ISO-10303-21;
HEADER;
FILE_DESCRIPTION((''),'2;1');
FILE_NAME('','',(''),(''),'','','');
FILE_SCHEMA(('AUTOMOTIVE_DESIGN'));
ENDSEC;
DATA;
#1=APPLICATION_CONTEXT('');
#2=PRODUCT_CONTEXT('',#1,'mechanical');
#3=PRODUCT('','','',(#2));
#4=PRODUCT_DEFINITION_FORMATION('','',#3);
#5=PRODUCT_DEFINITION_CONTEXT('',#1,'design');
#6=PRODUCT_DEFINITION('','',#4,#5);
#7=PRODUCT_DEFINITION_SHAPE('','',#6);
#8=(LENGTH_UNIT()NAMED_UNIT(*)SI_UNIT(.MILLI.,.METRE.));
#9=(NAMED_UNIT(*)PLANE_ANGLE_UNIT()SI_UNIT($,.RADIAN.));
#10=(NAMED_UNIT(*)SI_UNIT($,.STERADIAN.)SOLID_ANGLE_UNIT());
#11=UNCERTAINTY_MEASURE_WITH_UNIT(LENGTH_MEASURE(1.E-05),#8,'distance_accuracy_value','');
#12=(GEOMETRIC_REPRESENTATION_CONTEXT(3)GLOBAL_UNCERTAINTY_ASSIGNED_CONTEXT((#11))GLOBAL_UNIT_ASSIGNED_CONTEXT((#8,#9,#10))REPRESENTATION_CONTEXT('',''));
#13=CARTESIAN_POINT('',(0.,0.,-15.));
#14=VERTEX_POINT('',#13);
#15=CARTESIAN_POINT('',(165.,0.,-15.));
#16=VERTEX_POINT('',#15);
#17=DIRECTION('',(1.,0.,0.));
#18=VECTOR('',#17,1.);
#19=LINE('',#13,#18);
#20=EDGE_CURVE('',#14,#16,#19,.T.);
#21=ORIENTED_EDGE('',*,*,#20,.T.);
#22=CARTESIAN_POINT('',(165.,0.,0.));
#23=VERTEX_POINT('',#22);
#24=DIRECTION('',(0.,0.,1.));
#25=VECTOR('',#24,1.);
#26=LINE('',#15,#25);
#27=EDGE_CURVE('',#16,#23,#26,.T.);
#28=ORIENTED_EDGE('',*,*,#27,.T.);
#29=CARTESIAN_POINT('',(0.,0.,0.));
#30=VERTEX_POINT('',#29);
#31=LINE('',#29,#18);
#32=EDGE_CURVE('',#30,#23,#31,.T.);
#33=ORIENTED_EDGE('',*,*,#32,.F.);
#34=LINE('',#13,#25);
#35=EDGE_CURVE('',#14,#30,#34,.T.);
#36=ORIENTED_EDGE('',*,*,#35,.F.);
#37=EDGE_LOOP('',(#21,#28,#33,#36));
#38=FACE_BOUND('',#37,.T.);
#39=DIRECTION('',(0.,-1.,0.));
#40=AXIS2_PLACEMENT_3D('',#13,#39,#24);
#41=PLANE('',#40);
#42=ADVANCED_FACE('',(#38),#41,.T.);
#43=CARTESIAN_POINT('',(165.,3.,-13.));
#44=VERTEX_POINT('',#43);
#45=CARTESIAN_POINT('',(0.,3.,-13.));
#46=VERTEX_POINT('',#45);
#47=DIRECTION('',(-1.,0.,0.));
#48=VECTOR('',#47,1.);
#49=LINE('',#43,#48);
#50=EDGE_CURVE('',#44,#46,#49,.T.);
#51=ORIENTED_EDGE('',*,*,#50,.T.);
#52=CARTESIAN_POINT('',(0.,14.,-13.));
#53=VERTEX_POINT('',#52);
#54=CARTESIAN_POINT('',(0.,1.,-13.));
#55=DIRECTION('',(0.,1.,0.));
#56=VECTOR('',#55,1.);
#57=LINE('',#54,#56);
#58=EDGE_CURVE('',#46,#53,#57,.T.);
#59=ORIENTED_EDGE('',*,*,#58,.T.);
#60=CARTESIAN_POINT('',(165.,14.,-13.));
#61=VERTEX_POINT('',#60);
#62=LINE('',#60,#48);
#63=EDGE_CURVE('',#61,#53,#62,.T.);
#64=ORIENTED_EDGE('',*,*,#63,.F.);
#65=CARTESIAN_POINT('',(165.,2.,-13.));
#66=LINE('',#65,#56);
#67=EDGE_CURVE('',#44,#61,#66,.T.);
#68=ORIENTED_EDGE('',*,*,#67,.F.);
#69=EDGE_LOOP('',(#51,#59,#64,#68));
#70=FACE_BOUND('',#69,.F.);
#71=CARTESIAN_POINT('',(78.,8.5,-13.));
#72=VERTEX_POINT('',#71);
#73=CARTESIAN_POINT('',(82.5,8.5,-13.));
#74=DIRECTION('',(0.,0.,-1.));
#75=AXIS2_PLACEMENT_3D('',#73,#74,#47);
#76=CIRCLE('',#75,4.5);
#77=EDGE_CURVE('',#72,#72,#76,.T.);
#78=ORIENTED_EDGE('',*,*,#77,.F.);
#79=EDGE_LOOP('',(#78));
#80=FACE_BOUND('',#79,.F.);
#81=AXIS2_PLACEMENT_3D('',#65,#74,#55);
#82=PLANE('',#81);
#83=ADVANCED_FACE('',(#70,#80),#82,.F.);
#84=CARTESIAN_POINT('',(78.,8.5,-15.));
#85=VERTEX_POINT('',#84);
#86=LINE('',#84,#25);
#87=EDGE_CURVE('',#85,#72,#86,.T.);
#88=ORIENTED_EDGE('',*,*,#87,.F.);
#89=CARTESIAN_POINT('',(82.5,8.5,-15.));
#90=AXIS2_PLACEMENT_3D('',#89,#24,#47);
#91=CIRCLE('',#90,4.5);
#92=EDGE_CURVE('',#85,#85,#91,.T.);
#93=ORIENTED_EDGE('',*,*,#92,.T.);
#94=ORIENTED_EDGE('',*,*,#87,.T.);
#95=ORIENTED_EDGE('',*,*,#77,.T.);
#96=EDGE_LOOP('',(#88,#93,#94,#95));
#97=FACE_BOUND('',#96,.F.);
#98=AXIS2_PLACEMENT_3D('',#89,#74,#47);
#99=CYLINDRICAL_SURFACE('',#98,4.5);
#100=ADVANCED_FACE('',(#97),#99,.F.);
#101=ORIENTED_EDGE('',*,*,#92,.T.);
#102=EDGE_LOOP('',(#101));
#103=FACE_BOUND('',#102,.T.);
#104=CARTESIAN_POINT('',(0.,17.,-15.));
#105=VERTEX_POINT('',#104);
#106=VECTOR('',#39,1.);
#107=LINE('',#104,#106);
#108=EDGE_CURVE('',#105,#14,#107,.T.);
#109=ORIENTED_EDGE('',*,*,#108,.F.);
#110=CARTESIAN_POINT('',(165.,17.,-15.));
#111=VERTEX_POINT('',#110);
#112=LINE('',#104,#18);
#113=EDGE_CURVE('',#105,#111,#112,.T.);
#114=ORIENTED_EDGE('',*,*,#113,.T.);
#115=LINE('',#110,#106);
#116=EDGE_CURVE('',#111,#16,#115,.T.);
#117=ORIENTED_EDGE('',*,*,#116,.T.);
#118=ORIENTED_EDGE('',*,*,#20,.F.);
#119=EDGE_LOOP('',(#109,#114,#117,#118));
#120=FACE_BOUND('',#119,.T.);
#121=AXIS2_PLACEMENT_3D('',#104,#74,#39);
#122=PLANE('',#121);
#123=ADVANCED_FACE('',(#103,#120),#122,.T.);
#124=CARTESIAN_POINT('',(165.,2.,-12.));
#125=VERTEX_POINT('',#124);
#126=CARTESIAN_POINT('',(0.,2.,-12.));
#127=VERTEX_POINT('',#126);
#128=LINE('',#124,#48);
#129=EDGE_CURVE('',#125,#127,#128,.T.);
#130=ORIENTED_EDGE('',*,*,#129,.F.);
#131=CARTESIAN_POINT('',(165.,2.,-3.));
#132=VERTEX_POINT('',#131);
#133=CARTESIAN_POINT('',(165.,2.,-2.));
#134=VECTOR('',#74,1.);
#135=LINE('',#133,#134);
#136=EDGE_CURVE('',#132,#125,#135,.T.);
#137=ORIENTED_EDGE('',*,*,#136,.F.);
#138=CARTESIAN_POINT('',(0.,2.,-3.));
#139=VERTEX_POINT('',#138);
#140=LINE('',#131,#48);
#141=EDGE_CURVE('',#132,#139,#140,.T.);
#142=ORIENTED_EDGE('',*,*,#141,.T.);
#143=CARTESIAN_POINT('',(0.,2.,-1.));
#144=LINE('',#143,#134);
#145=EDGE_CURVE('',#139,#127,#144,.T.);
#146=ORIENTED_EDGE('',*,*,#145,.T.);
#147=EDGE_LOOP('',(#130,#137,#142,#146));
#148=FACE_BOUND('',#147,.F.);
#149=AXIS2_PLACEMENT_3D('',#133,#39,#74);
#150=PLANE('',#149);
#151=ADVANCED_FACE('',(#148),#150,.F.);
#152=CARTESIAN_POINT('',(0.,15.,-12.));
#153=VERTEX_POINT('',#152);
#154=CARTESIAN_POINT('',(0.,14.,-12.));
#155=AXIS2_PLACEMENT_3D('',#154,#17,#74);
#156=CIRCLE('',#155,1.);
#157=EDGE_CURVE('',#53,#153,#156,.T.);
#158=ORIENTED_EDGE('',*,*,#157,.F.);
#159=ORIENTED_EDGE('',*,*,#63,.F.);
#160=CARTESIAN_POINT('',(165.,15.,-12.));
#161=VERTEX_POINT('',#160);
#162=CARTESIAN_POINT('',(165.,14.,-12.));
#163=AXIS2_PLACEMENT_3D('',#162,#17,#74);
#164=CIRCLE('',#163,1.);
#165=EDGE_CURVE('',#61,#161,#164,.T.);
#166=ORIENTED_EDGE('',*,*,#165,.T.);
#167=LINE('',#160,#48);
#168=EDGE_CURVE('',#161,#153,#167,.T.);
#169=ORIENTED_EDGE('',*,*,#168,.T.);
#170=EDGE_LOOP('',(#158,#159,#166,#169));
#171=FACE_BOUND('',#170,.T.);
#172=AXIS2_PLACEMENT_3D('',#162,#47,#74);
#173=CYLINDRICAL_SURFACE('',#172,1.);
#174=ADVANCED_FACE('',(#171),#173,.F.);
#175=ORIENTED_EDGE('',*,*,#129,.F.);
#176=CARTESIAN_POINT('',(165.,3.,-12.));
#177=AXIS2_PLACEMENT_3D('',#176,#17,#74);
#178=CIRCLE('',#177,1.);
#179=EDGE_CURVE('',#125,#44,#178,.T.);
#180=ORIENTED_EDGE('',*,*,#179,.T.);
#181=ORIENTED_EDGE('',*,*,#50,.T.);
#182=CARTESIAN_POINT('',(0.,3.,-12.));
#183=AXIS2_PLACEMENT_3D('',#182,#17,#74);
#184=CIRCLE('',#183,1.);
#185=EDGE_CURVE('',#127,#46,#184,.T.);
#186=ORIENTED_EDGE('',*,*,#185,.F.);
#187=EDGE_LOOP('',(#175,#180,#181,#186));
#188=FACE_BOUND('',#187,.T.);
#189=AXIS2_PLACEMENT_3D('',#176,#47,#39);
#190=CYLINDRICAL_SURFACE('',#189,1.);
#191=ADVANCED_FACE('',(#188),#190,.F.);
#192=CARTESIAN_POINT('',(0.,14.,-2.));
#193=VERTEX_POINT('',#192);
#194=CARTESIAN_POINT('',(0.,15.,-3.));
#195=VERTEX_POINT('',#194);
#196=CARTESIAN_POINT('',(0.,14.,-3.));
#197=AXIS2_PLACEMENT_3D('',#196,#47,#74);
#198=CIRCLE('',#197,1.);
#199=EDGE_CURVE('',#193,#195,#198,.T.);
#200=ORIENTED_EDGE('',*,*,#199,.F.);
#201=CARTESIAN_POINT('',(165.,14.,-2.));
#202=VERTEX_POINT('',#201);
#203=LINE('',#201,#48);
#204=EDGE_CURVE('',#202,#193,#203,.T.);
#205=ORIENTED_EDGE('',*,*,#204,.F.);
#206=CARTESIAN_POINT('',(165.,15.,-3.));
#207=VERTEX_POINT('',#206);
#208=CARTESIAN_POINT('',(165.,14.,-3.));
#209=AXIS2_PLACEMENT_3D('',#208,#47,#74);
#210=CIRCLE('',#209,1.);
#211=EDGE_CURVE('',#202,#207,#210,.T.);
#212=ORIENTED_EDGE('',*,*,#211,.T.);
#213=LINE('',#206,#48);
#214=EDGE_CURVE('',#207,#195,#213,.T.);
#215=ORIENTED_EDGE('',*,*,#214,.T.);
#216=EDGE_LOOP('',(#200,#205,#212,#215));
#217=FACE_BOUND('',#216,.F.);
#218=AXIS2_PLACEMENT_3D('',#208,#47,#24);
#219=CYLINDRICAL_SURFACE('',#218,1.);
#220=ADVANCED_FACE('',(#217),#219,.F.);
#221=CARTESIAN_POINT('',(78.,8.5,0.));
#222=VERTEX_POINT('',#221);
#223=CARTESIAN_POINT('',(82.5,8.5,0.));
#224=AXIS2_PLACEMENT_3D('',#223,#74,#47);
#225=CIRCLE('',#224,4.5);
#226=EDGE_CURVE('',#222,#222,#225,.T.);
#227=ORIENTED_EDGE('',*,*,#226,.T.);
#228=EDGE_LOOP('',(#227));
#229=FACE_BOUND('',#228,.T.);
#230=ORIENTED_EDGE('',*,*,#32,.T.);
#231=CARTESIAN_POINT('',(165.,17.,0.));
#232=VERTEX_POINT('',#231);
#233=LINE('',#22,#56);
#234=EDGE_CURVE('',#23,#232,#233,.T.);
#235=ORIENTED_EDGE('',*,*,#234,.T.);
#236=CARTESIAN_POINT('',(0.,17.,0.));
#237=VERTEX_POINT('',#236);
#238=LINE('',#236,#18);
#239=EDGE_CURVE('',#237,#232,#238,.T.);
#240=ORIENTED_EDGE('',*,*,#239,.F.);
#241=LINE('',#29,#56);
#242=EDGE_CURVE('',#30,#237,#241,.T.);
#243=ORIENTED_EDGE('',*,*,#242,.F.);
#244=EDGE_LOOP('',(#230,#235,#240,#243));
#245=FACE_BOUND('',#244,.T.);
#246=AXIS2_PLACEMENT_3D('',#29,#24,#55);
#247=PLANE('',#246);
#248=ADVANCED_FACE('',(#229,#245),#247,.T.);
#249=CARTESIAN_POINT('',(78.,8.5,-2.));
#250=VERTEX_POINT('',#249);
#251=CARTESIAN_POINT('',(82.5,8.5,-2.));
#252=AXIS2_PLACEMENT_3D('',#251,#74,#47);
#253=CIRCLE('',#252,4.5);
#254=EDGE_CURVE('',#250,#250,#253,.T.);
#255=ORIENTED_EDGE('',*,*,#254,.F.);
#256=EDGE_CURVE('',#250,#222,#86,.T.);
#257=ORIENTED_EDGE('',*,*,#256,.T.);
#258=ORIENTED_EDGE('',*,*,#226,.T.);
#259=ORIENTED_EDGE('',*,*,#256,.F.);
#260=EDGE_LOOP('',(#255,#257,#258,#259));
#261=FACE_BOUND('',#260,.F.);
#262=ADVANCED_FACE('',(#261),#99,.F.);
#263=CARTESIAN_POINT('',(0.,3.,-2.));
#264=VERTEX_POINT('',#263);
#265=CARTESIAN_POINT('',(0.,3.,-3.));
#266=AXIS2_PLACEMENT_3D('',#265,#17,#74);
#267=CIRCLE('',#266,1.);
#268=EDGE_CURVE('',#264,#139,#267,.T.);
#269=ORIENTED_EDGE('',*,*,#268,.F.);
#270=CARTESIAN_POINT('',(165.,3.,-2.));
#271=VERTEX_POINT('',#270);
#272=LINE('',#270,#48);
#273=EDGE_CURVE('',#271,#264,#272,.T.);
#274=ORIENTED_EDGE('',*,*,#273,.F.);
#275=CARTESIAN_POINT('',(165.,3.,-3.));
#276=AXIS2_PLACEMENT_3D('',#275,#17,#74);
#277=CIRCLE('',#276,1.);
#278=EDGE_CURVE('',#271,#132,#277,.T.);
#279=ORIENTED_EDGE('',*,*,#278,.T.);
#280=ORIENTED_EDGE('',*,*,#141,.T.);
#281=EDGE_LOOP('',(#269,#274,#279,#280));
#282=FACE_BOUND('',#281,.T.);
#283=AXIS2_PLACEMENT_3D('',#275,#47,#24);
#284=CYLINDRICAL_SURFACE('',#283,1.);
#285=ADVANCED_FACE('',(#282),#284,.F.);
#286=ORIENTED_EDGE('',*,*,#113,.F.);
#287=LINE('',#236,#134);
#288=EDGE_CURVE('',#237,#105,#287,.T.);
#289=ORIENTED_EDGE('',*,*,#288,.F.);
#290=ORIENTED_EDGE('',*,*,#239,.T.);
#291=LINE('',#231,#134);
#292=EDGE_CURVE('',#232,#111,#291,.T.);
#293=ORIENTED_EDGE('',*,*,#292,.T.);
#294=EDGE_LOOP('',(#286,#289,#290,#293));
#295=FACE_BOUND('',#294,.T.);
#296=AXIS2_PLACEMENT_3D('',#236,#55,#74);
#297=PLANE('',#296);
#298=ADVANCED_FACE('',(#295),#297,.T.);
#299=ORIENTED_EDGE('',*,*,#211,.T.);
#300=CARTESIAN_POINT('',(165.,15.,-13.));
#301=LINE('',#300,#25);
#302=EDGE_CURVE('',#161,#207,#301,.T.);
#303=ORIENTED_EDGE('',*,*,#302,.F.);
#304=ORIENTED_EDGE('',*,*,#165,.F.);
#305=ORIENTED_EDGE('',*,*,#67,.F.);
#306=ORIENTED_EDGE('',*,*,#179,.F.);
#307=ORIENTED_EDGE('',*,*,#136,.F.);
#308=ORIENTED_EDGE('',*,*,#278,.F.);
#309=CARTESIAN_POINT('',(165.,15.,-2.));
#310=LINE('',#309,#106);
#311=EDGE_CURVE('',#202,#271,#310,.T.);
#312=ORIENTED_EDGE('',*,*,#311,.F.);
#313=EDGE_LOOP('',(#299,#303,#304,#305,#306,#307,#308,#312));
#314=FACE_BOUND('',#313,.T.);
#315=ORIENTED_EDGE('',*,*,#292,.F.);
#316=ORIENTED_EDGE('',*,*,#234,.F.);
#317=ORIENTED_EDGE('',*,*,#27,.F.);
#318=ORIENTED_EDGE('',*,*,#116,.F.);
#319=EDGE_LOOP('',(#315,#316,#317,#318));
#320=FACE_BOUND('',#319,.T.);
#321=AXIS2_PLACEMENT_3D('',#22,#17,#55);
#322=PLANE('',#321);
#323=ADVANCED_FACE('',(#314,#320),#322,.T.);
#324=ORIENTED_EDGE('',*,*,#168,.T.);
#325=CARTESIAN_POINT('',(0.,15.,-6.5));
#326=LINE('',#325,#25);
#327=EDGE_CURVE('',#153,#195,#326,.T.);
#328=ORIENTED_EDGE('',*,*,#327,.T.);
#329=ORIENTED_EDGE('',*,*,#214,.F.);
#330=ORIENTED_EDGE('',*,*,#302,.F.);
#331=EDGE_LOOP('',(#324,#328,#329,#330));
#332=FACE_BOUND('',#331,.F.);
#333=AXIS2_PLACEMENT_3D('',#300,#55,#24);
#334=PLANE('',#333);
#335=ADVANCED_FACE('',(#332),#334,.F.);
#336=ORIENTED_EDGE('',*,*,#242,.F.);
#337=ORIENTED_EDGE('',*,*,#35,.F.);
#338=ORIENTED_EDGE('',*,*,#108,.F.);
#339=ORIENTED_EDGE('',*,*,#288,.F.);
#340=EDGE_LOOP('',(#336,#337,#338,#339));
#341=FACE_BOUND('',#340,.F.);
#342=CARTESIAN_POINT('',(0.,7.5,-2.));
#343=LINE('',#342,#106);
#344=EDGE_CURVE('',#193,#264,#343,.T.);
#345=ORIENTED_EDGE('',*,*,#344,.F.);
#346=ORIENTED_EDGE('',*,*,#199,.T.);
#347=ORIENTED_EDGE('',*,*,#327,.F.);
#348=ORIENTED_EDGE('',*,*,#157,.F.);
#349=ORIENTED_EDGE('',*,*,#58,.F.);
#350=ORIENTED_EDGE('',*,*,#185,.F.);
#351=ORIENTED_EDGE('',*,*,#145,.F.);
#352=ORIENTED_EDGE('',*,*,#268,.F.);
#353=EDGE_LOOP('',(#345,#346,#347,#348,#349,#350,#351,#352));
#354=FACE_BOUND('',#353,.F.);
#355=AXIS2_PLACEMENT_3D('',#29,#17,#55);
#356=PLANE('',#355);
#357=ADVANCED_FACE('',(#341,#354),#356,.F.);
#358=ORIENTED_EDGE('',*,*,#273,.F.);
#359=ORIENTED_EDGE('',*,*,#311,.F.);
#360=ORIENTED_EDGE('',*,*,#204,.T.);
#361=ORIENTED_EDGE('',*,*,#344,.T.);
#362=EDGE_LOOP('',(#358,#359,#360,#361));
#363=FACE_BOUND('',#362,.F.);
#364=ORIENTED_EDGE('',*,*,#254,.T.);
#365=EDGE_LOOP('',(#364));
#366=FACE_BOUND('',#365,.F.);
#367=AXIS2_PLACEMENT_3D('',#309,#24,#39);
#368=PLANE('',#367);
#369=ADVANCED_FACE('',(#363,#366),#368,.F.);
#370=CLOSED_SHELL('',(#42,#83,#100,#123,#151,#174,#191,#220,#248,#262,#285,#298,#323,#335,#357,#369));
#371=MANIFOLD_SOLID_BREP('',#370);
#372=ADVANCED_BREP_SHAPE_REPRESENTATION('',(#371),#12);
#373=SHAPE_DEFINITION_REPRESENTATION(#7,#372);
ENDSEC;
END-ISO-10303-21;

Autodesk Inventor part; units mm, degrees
ref_plane "YZ Plane" through (0, 0, 0) normal (1, 0, 0) x (0, 1, 0)
ref_plane "XZ Plane" through (0, 0, 0) normal (0, 1, 0) x (-1, 0, 0)
ref_plane "XY Plane" through (0, 0, 0) normal (0, 0, 1) x (1, 0, 0)
sketch "Sketch2" plane through (0, 0, 0) normal (1, 0, 0) x (0, 1, 0)
  line L0 (0, 0) -> (17, 0)
  line L1 (17, 0) -> (17, -15)
  line L2 (17, -15) -> (0, -15)
  line L3 (0, -15) -> (0, 0)
  dimension "d4" = 17
  dimension "d5" = 15
extrude "Extrusion2" add sketch "Sketch2" along normal blind 165
sketch "Sketch3" plane through (165, 0, 0) normal (1, 0, 0) x (0, 0, -1)
  line L0 (0, 17) -> (0, 0) projected
  line L1 (0, 0) -> (15, 0) projected
  line L2 (15, 0) -> (15, 17) projected
  line L3 (2, 2) -> (13, 2)
  line L4 (13, 2) -> (13, 15)
  line L5 (13, 15) -> (2, 15)
  line L6 (2, 15) -> (2, 2)
  line L7 (2, 2) -> (13, 15) construction
  line L8 (13, 2) -> (2, 15) construction
  point P0 (7.5, 8.5)
  dimension "d9" = 11
  dimension "d10" = 13
extrude "Extrusion3" cut sketch "Sketch3" against normal through all
sketch "Sketch5" plane through (0, 0, -15) normal (0, 0, -1) x (-1, 0, 0)
  line L0 (0, 0) -> (-165, 0) projected
  line L1 (-165, 0) -> (0, 17)
  line L2 (-165, 0) -> (-165, 17) projected
  line L3 (0, 0) -> (-165, 17)
  circle A0 centre (-82.5, 8.5) radius 4.5
  dimension "d13" = 9
extrude "Extrusion4" cut sketch "Sketch5" against normal through all contours A0 L1 L3 | L3 L1 A0 | A0 L3 L1 | L3 A0 L1
fillet "Fillet1" radius 1 4 edges at (82.5, 2, -13) (82.5, 2, -2) (82.5, 15, -2) (82.5, 15, -13)
properties part number "caja perfil"
